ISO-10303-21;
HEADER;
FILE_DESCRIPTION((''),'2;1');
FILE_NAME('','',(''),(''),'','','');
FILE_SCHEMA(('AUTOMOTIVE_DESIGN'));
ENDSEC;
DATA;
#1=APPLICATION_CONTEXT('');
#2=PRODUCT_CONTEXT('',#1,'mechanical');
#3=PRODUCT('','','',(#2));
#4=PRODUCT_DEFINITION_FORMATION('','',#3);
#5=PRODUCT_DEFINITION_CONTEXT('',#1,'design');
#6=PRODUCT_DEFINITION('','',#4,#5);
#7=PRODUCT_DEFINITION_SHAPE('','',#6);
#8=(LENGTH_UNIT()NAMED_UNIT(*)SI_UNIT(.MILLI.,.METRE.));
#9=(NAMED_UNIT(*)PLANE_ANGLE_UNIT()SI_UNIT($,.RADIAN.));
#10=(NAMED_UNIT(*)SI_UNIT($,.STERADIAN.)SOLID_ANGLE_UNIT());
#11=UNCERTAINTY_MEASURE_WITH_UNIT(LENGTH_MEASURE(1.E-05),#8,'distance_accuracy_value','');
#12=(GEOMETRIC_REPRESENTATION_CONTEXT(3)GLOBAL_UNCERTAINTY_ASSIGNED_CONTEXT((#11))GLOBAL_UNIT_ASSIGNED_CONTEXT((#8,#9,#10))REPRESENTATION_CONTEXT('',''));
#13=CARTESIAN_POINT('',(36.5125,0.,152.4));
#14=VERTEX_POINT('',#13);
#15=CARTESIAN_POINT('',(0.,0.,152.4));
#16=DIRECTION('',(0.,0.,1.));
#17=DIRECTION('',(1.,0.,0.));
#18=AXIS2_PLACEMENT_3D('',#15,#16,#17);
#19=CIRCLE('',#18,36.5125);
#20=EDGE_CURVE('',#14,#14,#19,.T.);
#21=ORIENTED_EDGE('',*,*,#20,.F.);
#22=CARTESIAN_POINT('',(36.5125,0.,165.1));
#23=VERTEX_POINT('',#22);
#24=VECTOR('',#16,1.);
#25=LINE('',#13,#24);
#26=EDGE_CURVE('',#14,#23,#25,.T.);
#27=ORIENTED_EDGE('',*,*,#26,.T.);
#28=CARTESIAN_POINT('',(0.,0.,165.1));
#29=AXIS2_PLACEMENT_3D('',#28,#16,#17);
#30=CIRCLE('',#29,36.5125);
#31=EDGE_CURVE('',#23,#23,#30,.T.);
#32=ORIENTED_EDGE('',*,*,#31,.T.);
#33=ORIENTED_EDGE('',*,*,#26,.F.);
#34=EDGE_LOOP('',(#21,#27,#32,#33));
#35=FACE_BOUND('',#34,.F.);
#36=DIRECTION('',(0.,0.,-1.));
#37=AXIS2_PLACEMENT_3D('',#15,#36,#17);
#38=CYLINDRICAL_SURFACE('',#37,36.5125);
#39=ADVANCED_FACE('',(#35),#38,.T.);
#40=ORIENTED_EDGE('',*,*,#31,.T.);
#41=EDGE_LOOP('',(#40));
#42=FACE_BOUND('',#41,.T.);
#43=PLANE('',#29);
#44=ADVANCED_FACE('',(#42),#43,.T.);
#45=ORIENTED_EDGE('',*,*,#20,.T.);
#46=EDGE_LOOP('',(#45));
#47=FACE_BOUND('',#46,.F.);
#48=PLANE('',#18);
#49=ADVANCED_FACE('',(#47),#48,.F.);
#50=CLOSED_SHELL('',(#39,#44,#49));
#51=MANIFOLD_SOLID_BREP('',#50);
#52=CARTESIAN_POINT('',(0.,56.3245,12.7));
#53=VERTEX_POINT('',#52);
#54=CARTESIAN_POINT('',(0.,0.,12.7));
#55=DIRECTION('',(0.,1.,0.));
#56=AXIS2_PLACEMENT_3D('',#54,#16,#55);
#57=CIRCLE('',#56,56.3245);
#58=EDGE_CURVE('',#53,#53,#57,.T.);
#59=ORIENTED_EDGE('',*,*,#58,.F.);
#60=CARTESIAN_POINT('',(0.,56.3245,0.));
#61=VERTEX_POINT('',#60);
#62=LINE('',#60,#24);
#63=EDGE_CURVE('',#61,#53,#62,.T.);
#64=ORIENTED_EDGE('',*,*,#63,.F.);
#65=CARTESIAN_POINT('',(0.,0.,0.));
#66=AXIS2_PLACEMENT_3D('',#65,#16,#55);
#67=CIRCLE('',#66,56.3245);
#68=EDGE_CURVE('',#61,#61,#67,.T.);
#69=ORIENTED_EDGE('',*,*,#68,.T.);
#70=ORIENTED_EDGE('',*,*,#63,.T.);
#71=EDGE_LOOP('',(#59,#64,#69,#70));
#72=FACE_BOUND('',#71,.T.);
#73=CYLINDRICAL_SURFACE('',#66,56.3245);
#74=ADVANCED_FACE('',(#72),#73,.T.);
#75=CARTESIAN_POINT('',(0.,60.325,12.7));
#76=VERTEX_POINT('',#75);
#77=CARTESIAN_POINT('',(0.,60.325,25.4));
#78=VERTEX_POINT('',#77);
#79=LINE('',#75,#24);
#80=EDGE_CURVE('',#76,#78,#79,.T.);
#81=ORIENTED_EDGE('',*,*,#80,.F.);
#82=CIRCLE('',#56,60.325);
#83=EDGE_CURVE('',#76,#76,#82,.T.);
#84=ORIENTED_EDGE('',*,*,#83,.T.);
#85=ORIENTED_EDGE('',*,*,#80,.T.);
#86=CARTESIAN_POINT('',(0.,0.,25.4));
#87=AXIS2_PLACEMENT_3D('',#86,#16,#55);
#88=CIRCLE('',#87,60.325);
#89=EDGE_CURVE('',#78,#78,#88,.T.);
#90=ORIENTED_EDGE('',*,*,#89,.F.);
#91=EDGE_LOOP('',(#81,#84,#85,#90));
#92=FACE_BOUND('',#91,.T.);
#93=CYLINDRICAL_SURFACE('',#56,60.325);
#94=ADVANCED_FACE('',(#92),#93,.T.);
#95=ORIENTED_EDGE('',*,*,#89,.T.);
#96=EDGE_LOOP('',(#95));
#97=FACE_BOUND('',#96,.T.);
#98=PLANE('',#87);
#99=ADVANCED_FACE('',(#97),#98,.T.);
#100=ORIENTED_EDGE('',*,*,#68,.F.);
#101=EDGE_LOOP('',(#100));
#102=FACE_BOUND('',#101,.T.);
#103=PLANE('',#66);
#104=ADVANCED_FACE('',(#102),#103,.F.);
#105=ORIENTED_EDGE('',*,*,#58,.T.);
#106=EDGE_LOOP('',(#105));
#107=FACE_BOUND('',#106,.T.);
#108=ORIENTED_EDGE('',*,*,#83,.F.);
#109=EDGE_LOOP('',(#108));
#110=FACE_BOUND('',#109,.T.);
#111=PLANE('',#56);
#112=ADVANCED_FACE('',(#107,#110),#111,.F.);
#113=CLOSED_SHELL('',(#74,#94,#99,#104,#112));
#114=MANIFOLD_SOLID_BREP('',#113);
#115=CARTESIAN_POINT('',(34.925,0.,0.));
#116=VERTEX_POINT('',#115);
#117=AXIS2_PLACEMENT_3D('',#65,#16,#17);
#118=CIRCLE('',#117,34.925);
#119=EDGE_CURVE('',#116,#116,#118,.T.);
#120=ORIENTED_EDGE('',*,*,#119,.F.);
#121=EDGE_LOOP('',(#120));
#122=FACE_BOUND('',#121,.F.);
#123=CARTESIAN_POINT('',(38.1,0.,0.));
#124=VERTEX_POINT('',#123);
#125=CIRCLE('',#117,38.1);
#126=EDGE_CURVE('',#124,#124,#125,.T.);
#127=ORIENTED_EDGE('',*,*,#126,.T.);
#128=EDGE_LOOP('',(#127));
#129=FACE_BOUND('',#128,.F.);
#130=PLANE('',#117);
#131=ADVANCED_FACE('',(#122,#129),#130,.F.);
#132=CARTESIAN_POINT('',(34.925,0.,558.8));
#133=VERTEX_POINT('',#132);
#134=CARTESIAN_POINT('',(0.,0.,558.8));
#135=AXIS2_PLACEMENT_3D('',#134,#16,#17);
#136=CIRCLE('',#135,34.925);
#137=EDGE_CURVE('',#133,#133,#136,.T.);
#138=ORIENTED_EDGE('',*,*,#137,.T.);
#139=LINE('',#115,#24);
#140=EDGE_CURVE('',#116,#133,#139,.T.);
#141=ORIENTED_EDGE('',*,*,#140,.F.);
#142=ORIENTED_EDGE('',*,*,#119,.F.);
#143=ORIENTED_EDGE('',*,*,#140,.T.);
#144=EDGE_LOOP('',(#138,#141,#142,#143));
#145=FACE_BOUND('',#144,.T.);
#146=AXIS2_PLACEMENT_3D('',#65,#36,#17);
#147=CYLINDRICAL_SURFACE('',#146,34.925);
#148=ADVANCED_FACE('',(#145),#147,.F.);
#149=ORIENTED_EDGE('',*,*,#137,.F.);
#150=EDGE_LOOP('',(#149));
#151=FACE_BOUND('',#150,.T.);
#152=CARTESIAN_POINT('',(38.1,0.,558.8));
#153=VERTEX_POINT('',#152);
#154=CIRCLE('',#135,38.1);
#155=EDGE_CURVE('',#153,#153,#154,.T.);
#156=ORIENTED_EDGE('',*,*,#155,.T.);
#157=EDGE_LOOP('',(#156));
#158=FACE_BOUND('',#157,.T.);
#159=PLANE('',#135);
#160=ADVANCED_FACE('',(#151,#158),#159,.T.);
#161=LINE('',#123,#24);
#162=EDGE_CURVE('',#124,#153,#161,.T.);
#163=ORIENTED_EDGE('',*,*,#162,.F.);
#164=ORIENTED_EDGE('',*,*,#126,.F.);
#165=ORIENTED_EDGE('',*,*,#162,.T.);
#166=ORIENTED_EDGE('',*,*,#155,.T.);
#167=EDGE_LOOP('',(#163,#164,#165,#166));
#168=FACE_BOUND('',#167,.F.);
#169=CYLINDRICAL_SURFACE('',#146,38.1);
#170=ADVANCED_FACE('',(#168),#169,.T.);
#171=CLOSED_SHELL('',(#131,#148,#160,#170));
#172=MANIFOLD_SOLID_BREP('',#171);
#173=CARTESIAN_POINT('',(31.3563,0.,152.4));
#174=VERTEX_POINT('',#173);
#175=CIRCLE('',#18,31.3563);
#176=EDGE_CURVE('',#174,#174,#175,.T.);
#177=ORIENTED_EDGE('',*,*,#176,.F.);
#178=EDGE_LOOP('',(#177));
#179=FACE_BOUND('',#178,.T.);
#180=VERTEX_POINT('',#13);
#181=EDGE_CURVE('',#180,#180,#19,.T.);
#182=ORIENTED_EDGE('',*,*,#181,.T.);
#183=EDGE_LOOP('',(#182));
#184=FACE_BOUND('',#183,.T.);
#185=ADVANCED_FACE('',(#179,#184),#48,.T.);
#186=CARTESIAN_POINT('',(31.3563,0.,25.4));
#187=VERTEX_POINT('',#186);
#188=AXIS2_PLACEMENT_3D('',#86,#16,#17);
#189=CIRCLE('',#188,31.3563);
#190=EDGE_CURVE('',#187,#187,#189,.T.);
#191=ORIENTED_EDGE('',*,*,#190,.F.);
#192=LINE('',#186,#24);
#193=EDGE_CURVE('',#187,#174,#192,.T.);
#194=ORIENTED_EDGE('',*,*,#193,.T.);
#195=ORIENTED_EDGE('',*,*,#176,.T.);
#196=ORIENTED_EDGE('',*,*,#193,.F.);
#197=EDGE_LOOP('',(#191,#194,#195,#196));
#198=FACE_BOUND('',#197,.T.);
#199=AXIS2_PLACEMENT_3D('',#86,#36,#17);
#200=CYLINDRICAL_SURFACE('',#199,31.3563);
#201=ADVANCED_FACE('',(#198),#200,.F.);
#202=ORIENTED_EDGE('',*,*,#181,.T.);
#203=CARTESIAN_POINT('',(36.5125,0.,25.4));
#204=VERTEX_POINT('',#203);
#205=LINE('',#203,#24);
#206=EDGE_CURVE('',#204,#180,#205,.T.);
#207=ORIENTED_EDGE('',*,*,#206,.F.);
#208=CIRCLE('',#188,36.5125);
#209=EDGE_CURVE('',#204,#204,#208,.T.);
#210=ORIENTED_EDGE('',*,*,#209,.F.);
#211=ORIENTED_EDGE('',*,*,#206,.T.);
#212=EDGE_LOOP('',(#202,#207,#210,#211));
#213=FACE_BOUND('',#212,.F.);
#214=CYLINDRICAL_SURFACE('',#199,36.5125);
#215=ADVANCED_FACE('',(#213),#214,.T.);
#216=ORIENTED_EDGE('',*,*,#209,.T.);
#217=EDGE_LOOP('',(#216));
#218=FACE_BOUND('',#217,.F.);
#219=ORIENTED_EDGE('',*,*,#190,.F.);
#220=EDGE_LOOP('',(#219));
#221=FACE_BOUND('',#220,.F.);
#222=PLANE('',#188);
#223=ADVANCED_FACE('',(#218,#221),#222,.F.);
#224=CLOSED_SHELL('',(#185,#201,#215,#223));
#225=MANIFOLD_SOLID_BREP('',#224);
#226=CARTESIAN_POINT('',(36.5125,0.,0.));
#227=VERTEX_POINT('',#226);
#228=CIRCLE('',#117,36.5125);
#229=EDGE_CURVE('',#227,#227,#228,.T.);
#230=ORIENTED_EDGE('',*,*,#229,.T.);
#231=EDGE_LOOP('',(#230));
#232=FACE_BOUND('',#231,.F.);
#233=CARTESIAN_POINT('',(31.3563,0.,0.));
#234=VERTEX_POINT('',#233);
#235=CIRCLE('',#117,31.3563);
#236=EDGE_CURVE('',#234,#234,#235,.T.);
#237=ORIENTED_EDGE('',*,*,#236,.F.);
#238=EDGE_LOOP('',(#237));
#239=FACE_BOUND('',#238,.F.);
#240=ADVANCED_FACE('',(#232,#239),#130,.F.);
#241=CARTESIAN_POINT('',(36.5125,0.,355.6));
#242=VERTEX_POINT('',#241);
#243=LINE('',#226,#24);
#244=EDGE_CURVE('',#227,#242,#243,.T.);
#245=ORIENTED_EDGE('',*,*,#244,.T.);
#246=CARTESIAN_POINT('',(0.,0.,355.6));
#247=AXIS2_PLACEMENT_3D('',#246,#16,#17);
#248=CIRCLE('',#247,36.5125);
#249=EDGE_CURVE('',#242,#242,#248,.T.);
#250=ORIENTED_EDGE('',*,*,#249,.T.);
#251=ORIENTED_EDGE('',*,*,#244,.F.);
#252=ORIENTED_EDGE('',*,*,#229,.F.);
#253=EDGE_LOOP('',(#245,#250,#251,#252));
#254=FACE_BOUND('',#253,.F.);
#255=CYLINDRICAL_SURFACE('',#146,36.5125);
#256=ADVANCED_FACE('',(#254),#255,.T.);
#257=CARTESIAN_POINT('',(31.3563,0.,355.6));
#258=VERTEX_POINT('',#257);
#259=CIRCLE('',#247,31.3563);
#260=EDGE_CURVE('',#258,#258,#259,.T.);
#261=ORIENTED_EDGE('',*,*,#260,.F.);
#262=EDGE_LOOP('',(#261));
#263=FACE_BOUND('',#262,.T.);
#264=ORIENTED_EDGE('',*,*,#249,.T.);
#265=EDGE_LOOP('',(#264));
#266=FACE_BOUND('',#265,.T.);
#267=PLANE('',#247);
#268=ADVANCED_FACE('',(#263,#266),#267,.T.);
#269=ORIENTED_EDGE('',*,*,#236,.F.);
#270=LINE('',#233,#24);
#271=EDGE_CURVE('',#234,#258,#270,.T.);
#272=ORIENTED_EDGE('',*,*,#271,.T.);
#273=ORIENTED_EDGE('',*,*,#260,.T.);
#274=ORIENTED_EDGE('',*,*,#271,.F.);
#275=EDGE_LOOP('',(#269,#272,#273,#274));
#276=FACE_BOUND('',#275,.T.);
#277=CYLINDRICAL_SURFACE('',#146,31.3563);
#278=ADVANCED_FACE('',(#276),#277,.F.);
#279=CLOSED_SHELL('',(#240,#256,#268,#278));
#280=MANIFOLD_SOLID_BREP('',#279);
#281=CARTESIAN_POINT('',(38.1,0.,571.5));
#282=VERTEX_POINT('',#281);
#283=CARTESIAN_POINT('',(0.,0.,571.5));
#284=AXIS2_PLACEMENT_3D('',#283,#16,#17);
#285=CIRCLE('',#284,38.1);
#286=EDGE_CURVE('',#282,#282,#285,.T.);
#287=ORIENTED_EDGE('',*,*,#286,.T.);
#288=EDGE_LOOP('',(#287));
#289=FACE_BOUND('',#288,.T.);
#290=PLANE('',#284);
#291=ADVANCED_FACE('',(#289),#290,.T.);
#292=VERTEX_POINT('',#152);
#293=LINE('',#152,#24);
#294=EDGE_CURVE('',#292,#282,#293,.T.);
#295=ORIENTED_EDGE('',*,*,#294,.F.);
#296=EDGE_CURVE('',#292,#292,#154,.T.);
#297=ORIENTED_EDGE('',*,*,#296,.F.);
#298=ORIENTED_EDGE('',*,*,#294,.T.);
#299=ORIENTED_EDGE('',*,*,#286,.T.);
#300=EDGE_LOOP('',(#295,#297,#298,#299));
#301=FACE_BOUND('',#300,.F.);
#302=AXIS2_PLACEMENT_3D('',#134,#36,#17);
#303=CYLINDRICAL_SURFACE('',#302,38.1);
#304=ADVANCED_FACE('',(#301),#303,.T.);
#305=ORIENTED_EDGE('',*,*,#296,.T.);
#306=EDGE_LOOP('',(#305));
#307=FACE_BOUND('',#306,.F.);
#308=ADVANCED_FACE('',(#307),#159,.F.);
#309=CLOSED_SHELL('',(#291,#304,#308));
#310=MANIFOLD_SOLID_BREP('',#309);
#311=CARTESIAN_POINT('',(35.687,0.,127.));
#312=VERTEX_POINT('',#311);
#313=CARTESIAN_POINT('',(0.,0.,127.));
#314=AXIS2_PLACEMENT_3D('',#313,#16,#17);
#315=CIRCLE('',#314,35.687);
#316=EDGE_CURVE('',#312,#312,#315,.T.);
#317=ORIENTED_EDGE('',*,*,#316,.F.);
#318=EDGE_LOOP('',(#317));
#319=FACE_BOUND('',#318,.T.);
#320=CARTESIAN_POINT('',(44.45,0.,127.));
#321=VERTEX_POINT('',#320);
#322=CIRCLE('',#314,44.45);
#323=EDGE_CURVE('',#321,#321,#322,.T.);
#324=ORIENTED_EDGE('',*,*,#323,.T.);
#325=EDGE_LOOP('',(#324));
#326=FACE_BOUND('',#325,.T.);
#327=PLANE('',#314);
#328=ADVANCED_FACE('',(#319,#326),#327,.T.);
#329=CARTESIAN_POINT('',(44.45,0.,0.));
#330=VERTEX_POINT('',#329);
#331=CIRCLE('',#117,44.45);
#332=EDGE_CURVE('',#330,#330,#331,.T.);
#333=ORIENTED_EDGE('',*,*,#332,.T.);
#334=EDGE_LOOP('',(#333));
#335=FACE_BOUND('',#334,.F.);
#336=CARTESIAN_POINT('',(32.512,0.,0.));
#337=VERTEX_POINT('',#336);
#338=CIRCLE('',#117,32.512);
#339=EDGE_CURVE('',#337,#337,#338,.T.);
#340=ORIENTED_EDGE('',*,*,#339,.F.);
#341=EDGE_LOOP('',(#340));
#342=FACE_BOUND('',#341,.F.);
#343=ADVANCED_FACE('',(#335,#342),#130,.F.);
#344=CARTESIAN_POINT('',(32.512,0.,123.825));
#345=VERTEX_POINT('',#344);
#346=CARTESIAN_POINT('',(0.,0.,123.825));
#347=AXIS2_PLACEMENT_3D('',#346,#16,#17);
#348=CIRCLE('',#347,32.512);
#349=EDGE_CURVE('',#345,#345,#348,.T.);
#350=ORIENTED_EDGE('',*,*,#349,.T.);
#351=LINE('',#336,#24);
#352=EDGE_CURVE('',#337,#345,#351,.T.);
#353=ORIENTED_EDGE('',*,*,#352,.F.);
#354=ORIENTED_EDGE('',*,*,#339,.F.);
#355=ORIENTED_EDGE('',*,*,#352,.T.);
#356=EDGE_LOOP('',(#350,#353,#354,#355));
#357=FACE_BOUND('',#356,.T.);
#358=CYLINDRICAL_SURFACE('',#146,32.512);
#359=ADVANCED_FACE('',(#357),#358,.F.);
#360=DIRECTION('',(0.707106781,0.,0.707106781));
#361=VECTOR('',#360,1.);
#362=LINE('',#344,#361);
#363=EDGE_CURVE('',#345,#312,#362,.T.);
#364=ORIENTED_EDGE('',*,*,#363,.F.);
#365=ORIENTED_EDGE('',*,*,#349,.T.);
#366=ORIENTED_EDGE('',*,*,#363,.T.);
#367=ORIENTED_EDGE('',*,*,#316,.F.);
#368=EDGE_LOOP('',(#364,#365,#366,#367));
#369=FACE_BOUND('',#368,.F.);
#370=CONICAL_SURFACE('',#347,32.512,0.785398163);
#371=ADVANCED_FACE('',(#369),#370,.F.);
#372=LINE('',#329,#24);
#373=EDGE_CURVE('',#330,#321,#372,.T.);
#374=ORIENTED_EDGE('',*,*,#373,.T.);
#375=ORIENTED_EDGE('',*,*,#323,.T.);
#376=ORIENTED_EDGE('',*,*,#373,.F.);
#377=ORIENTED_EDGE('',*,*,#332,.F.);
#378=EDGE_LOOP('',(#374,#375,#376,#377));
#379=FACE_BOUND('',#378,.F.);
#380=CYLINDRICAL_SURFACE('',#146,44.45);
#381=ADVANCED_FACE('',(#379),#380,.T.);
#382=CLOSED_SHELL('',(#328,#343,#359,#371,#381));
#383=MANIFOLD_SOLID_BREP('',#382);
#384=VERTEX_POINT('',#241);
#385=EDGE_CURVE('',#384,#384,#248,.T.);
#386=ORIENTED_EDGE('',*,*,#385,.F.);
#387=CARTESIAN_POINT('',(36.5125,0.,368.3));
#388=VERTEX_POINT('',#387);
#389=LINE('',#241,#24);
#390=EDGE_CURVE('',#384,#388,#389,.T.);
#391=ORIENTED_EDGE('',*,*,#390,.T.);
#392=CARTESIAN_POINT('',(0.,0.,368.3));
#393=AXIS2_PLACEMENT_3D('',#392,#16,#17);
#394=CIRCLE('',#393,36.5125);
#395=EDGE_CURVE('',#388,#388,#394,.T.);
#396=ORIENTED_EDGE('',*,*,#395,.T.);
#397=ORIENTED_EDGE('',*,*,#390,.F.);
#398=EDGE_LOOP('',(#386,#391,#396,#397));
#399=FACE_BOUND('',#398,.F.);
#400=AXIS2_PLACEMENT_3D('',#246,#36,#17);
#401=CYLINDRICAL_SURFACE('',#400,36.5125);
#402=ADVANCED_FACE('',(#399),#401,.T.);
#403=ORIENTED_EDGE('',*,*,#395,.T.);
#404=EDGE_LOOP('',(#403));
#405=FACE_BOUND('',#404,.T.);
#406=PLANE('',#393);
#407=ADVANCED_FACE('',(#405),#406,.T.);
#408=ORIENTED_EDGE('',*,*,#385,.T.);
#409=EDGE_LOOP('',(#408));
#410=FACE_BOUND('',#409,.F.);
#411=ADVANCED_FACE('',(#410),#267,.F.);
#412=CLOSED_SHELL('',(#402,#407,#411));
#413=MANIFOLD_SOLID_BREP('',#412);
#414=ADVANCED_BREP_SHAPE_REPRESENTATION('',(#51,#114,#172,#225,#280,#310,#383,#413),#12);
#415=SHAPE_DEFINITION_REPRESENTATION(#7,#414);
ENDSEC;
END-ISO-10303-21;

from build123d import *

# Parameters (mm, degrees)
F0_R      = 44.45
F0_R_2    = 32.512
F1_DEPTH  = 127
F2_SIZE   = 3.175
F3_R      = 36.5125
F3_R_2    = 31.3563
F4_DEPTH  = 355.6
F5_R      = 36.5125
F6_DEPTH  = 12.7
F7_R      = 38.1
F7_R_2    = 34.925
F8_DEPTH  = 558.8
F9_R      = 38.1
F10_DEPTH = 12.7
F13_R     = 36.5125
F13_R_2   = 31.3563
F14_DEPTH = 127
F15_R     = 36.5125
F16_DEPTH = 12.7


with BuildPart() as f1:
    # F0 (on Top) → F1 (new body)
    with BuildSketch(Plane.XY):
        Circle(F0_R)
        Circle(F0_R_2, mode=Mode.SUBTRACT)
    extrude(amount=F1_DEPTH)

    # F2
    f2_edges = [f1.edges().sort_by_distance(p)[0] for p in [
        (-32.512, 0, 127),
    ]]
    chamfer(f2_edges, length=F2_SIZE)


with BuildPart() as f4:
    # F3 (on Top) → F4 (new body)
    with BuildSketch(Plane.XY):
        Circle(F3_R)
        Circle(F3_R_2, mode=Mode.SUBTRACT)
    extrude(amount=F4_DEPTH)


with BuildPart() as f6:
    # F5 (on face) → F6 (new body)
    with BuildSketch(Plane.XY.offset(355.6)):
        Circle(F5_R)
    extrude(amount=F6_DEPTH)


with BuildPart() as f8:
    # F7 (on Top) → F8 (new body)
    with BuildSketch(Plane.XY):
        Circle(F7_R)
        Circle(F7_R_2, mode=Mode.SUBTRACT)
    extrude(amount=F8_DEPTH)


with BuildPart() as f10:
    # F9 (on face) → F10 (new body)
    with BuildSketch(Plane.XY.offset(558.8)):
        Circle(F9_R)
    extrude(amount=F10_DEPTH)


with BuildPart() as f12:
    # F11 (on Right) → F12 (revolve)
    with BuildSketch(Plane.YZ):
        Polygon((60.325, 25.4), (0, 25.4), (0, 0), (56.3245, 0), (56.3245, 12.7), (60.325, 12.7), align=None)
    revolve(axis=Axis((0, 0, 12.7), (0, 0, 1)))


with BuildPart() as f14:
    # F13 (on face) → F14 (new body)
    with BuildSketch(Plane.XY.offset(25.4)):
        Circle(F13_R)
        Circle(F13_R_2, mode=Mode.SUBTRACT)
    extrude(amount=F14_DEPTH)


with BuildPart() as f16:
    # F15 (on face) → F16 (new body)
    with BuildSketch(Plane.XY.offset(152.4)):
        Circle(F15_R)
    extrude(amount=F16_DEPTH)


solid = Compound([f1.part, f4.part, f6.part, f8.part, f10.part, f12.part, f14.part, f16.part])
